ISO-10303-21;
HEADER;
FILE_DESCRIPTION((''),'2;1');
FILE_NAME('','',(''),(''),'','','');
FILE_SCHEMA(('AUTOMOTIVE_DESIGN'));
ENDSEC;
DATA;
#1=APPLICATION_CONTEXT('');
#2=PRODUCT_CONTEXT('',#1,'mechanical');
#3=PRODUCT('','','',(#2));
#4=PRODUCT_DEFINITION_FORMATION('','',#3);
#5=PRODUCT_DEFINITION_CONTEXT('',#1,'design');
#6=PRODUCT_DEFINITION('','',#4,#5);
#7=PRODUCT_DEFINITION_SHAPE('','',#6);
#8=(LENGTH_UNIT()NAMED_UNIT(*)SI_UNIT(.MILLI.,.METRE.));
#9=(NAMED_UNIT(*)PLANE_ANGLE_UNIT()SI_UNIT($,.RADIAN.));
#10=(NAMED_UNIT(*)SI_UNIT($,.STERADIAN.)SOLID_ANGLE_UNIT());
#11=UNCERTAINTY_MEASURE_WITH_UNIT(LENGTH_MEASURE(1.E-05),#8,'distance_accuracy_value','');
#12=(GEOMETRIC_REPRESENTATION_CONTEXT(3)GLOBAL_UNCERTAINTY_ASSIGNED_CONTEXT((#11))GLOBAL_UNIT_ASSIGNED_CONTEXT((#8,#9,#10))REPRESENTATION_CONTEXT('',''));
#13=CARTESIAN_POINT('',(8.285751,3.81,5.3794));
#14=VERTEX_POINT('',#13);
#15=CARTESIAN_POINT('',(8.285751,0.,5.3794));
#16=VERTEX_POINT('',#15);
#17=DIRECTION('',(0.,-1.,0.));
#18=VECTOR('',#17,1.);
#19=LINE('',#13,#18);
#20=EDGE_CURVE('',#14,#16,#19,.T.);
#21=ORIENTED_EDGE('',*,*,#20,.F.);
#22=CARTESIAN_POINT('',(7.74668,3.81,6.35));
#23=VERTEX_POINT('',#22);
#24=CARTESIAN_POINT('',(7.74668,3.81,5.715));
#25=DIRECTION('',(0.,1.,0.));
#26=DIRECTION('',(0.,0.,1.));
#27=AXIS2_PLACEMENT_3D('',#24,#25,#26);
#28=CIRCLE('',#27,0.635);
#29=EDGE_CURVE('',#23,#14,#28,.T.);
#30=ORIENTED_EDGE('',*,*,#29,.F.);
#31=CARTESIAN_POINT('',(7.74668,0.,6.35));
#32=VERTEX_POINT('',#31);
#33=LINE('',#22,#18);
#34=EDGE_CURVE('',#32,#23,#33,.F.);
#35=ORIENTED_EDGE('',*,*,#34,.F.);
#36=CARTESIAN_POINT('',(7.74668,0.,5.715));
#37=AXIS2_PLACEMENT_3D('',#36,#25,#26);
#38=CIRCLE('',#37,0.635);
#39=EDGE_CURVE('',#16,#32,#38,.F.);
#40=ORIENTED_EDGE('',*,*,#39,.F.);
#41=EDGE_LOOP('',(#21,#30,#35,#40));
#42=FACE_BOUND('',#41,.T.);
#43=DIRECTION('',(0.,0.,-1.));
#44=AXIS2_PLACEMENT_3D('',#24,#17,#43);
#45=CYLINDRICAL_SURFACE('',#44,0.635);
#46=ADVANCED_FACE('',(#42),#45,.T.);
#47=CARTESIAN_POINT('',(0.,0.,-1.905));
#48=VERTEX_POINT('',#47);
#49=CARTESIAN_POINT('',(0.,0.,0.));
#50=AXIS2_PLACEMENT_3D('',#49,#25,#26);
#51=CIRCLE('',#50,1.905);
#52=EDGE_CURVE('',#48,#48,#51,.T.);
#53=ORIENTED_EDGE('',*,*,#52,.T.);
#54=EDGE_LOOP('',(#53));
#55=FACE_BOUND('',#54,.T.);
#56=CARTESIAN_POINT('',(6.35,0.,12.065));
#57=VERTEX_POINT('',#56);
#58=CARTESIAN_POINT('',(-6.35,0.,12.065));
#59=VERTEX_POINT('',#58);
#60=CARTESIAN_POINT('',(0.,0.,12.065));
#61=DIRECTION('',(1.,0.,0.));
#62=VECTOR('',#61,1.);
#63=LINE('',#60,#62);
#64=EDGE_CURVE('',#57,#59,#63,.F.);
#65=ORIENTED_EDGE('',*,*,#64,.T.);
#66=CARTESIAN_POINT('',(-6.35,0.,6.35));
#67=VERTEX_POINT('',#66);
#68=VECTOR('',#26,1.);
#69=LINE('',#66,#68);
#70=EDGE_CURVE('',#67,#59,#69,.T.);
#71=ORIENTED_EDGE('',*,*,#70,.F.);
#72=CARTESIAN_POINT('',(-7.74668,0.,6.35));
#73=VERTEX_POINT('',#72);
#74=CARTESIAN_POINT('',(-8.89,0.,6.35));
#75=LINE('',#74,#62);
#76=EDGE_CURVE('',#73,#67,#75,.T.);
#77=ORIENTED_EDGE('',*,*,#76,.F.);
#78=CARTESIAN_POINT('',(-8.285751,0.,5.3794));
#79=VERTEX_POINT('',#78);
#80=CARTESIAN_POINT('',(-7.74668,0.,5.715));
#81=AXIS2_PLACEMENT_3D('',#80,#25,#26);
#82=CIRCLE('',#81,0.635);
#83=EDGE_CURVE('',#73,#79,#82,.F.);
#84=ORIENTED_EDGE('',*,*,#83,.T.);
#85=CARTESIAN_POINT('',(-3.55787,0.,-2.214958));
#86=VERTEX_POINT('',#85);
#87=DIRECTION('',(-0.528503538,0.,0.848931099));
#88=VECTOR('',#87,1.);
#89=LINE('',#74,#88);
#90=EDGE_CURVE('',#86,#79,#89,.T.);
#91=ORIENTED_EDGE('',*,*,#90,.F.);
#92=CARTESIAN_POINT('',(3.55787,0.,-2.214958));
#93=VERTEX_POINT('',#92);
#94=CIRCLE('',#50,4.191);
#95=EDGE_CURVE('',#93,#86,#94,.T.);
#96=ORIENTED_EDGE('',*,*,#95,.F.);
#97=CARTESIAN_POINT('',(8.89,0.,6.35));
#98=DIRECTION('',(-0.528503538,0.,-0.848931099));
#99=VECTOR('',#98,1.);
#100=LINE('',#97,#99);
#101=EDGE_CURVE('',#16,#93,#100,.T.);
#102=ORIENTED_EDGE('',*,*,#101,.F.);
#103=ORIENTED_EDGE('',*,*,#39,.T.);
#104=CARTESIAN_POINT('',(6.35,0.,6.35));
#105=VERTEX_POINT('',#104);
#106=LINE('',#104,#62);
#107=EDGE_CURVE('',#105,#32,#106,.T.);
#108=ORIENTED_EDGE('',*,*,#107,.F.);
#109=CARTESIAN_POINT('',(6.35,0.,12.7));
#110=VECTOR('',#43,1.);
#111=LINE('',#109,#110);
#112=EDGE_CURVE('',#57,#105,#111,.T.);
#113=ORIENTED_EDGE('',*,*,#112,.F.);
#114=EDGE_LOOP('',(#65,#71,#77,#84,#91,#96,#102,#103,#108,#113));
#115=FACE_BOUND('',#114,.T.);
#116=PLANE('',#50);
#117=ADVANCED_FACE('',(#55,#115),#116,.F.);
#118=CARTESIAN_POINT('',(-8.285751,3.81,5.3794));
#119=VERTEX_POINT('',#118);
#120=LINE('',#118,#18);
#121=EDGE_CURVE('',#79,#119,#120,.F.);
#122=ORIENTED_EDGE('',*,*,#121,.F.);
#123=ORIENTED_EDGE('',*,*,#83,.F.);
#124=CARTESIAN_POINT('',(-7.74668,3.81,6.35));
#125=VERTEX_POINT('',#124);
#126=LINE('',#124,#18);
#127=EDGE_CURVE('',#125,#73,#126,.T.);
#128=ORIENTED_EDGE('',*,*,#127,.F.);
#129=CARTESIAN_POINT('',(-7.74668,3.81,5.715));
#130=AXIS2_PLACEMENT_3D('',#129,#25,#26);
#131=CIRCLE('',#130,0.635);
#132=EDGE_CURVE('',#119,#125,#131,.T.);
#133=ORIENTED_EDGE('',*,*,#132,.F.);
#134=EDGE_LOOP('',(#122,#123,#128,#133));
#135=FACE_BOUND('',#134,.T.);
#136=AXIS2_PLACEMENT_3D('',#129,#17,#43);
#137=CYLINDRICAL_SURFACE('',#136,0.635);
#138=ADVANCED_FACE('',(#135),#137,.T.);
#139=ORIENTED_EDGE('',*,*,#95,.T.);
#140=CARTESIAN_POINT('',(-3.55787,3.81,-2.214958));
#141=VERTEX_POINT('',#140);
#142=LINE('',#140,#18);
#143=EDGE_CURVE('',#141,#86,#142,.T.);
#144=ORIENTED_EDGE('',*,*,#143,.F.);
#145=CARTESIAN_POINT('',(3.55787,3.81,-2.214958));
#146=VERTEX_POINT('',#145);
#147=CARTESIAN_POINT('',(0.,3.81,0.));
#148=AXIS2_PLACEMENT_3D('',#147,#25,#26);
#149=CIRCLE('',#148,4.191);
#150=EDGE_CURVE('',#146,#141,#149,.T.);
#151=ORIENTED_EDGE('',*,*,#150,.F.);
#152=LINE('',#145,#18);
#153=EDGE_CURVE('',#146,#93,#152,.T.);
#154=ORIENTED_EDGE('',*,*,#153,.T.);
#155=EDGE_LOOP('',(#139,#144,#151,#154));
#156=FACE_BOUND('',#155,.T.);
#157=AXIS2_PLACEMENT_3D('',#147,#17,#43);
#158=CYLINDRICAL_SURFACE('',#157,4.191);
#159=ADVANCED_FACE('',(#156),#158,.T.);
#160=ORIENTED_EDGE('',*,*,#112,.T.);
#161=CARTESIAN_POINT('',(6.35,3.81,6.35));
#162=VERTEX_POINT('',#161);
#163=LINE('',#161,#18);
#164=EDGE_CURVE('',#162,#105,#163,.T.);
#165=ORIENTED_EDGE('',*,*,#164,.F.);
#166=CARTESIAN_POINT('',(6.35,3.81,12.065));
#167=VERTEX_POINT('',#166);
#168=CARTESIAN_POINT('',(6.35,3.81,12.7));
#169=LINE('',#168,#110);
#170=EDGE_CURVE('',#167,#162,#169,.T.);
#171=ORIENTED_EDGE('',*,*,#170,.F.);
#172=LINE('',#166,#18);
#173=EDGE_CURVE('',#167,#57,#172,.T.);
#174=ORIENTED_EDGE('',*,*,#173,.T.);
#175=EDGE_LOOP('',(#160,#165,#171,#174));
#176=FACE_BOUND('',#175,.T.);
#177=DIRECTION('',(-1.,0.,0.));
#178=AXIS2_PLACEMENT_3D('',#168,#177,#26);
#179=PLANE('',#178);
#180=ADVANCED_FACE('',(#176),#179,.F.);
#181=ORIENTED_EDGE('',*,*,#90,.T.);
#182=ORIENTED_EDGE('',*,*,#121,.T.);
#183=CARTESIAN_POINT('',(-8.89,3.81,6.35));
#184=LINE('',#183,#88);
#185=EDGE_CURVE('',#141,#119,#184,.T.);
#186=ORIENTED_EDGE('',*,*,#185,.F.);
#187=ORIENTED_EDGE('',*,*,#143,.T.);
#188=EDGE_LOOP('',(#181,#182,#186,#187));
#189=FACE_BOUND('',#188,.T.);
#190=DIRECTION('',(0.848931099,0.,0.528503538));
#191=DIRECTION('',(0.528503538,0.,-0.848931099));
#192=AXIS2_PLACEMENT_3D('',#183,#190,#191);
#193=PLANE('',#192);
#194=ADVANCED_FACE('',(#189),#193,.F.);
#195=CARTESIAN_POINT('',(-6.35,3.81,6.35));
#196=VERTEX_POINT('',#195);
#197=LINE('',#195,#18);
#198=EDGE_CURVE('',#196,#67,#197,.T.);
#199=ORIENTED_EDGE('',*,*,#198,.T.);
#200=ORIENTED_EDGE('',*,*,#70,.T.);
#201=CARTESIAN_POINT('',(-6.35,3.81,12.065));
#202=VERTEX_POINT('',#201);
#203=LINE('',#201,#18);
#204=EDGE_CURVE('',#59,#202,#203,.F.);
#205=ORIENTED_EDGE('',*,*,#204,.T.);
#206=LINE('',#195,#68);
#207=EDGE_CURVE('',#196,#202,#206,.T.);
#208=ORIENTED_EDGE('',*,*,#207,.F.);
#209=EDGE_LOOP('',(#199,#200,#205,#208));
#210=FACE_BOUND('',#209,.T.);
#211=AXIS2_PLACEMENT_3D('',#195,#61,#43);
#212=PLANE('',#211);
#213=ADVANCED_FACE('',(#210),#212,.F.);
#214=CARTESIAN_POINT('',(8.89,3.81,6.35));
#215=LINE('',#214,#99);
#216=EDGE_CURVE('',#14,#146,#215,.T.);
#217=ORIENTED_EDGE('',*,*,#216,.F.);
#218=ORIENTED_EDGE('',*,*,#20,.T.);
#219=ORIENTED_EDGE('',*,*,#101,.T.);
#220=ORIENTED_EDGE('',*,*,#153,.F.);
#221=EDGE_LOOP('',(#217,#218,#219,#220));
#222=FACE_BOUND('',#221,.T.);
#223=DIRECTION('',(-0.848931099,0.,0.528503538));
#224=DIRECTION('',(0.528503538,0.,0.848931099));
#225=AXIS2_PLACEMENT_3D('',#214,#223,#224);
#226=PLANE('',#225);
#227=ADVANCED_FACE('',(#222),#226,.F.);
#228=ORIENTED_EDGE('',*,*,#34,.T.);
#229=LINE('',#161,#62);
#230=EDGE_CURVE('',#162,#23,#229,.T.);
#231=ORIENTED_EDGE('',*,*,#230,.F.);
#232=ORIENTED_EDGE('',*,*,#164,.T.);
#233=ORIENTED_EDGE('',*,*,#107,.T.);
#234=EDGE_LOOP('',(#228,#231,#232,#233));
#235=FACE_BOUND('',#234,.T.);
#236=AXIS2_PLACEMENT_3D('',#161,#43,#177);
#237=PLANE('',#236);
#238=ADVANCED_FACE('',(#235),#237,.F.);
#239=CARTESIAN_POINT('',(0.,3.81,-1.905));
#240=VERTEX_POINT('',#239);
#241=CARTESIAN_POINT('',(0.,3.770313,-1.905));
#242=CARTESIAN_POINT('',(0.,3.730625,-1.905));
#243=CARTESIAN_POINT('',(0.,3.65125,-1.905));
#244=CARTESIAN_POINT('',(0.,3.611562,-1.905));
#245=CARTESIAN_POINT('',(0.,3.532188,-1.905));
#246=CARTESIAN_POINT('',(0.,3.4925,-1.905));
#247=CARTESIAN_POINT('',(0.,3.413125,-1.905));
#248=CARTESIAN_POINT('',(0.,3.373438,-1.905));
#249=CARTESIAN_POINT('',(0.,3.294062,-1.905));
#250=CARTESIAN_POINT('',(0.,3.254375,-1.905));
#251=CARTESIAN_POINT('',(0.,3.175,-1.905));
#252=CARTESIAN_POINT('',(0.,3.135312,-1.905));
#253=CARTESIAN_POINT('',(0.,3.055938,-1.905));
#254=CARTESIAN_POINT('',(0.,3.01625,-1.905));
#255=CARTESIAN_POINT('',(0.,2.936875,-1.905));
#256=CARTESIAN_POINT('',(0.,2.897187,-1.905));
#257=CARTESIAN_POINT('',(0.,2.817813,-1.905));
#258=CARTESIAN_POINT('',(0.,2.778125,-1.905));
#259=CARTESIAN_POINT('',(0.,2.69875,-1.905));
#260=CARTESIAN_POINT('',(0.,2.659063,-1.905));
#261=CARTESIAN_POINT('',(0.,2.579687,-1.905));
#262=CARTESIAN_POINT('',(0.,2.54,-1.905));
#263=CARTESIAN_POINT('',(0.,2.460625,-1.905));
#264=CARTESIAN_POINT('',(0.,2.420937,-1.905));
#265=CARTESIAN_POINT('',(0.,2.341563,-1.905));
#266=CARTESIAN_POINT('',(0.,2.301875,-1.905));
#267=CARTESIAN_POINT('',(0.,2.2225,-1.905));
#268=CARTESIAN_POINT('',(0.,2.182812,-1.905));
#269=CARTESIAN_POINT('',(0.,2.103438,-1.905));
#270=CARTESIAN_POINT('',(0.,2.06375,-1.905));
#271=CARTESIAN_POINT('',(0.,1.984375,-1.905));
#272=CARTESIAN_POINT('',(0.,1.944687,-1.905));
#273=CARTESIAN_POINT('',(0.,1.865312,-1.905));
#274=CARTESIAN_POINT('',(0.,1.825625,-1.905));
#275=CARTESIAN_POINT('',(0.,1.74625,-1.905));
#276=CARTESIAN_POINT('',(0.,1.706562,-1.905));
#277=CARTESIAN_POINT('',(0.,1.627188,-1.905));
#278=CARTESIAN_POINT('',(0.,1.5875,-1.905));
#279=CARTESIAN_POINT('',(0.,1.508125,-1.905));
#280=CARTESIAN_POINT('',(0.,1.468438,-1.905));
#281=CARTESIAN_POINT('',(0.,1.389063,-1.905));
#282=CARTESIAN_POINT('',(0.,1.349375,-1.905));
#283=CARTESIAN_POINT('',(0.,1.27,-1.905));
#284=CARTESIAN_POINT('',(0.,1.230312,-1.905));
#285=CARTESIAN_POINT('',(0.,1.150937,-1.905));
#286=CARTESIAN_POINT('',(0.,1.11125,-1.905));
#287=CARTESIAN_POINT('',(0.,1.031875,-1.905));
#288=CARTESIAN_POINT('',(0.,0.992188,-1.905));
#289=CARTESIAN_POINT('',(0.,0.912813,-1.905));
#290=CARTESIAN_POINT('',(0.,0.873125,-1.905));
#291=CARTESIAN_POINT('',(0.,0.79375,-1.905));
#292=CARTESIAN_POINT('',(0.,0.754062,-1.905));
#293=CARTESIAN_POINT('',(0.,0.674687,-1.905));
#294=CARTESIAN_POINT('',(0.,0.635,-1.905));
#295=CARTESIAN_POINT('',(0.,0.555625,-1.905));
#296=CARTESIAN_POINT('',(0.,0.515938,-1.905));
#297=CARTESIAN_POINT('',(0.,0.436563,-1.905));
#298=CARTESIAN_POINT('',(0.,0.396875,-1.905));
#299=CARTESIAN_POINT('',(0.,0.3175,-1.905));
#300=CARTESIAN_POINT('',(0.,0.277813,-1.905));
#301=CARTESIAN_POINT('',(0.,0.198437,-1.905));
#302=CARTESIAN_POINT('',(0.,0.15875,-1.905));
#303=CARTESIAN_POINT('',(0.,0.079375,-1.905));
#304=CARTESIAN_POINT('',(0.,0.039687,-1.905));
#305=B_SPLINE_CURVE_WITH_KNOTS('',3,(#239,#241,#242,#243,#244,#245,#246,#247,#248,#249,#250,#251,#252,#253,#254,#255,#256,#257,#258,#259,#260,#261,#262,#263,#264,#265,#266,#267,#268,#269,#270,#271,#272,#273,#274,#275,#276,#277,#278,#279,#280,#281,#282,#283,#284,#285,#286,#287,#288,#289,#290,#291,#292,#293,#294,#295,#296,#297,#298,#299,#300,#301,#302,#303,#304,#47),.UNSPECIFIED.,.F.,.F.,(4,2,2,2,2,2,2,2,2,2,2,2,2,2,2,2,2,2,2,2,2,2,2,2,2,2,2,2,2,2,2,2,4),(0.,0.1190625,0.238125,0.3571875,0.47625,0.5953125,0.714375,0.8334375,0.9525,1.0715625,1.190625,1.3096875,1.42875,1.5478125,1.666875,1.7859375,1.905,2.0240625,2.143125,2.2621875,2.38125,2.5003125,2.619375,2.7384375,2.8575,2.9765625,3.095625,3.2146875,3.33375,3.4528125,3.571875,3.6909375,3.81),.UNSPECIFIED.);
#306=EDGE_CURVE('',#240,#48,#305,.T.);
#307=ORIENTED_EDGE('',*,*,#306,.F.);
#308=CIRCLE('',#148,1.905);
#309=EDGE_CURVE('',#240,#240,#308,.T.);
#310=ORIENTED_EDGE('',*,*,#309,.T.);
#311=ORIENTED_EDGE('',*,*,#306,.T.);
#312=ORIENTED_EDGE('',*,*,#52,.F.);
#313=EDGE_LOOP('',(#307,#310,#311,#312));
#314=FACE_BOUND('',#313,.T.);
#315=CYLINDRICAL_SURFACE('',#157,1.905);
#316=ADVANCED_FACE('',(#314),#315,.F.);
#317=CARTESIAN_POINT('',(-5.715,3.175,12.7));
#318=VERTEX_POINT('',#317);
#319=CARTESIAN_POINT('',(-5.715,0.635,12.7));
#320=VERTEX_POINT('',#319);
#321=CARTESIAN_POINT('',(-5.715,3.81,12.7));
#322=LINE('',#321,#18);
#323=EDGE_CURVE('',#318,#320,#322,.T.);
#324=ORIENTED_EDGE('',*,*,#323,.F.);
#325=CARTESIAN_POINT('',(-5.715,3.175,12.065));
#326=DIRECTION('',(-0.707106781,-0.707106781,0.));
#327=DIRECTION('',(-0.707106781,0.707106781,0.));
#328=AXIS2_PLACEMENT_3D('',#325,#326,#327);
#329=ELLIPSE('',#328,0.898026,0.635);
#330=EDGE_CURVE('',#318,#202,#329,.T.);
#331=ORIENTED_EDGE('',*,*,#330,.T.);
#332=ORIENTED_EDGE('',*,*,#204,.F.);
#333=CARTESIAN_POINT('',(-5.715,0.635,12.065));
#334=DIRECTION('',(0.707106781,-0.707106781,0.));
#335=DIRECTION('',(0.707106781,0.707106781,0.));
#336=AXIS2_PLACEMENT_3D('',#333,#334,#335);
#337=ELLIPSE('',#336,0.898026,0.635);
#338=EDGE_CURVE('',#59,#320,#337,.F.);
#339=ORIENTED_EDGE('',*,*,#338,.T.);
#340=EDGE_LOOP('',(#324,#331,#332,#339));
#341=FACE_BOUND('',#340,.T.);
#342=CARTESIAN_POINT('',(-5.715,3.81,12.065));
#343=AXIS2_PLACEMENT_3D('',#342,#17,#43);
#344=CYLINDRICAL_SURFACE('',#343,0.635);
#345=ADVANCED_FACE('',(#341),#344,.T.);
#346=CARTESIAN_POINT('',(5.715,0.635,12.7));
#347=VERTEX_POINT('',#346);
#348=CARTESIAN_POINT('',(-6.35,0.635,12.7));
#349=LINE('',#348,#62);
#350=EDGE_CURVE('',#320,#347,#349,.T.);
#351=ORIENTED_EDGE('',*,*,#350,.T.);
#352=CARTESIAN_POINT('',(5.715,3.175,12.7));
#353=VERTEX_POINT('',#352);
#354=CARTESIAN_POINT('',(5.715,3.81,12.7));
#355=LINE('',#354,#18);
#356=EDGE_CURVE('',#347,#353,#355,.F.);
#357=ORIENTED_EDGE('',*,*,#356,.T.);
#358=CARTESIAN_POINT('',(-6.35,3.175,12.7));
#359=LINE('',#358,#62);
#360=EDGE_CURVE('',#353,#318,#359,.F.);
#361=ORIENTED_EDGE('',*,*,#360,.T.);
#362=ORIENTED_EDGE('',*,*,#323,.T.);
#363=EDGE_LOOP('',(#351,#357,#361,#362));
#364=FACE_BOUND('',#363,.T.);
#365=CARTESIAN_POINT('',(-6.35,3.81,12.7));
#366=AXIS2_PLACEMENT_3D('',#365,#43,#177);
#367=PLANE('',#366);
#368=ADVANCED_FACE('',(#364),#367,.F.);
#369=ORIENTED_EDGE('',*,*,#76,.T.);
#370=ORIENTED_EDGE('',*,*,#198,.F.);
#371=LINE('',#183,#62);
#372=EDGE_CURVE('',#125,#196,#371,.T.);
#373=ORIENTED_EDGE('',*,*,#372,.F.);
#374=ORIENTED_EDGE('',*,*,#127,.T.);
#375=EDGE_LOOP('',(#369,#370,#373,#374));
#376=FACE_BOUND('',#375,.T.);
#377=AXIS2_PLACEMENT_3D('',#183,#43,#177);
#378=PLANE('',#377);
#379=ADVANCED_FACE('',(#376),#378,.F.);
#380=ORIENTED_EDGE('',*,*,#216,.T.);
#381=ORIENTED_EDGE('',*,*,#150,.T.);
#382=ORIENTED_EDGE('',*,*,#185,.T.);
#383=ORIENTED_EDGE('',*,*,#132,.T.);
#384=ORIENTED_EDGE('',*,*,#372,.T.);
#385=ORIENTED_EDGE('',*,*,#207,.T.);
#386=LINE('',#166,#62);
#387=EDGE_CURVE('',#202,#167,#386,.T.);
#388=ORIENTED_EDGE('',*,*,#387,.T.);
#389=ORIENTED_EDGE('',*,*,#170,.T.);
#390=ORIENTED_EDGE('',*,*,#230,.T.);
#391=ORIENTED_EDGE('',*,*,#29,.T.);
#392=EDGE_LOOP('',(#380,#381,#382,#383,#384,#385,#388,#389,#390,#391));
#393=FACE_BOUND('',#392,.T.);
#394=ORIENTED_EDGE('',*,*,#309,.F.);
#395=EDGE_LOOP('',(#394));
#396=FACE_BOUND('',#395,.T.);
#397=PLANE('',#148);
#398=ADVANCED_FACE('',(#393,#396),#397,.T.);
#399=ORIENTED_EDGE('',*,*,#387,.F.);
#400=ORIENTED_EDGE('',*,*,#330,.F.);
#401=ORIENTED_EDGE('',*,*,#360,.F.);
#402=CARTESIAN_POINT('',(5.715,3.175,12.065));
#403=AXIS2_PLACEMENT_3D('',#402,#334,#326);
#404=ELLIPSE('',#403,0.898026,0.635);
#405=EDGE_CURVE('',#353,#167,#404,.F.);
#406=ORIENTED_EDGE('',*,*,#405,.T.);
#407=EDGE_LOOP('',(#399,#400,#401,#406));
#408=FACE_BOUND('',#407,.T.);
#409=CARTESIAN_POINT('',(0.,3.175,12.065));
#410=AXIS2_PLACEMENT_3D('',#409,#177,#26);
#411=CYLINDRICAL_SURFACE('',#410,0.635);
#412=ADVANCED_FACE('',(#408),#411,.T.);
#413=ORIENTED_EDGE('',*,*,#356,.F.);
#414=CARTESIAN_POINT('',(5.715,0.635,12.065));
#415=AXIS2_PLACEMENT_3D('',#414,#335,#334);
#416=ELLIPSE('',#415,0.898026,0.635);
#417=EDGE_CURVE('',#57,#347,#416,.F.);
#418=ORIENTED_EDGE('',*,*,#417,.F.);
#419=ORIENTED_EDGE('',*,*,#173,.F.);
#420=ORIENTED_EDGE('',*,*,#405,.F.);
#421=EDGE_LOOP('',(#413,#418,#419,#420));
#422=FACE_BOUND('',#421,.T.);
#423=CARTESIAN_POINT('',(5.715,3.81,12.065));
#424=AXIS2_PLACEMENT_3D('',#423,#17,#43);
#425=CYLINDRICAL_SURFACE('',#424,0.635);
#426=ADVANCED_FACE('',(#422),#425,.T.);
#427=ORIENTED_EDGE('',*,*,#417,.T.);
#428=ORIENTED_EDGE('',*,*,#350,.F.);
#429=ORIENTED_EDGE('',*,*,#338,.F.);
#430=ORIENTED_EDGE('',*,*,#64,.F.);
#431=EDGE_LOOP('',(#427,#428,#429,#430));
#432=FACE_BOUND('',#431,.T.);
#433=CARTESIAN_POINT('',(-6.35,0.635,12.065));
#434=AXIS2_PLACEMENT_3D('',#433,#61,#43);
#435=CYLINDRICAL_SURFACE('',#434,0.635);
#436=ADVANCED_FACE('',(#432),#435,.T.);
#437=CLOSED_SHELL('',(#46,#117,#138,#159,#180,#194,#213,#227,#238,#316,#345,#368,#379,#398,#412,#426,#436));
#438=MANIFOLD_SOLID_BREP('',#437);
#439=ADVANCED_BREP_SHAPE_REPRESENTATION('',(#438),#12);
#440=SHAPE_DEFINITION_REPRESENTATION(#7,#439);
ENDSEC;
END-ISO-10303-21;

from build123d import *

# Parameters (mm, degrees)
SKETCH1_R           = 1.905
BOSS_EXTRUDE1_DEPTH = 3.81
FILLET1_R           = 0.635


with BuildPart() as part:
    # Sketch1 → Boss-Extrude1 (new body)
    with BuildSketch(Plane(origin=(0, 0, 0), x_dir=(1, 0, 0), z_dir=(0, 1, 0))):
        with BuildLine():
            Line((-8.89, -6.35), (-6.35, -6.35))
            Line((-6.35, -6.35), (-6.35, -12.7))
            Line((-6.35, -12.7), (6.35, -12.7))
            Line((6.35, -12.7), (6.35, -6.35))
            Line((6.35, -6.35), (8.89, -6.35))
            Line((8.89, -6.35), (3.557870234, 2.214958328))
            ThreePointArc((3.557870234, 2.214958328), (0, 4.191), (-3.557870234, 2.214958328))
            Line((-3.557870234, 2.214958328), (-8.89, -6.35))
        make_face()
        with Locations(Location((0, 0, 0), (0, 0, 90))):
            Circle(SKETCH1_R, mode=Mode.SUBTRACT)
    extrude(amount=BOSS_EXTRUDE1_DEPTH)

    # Fillet1
    fillet1_edges = [part.edges().sort_by_distance(p)[0] for p in [
        (0, 0, 12.7),
        (8.89, 1.905, 6.35),
        (6.35, 1.905, 12.7),
        (-6.35, 1.905, 12.7),
        (-8.89, 1.905, 6.35),
        (0, 3.81, 12.7),
    ]]
    fillet(fillet1_edges, radius=FILLET1_R)


solid = part.part
